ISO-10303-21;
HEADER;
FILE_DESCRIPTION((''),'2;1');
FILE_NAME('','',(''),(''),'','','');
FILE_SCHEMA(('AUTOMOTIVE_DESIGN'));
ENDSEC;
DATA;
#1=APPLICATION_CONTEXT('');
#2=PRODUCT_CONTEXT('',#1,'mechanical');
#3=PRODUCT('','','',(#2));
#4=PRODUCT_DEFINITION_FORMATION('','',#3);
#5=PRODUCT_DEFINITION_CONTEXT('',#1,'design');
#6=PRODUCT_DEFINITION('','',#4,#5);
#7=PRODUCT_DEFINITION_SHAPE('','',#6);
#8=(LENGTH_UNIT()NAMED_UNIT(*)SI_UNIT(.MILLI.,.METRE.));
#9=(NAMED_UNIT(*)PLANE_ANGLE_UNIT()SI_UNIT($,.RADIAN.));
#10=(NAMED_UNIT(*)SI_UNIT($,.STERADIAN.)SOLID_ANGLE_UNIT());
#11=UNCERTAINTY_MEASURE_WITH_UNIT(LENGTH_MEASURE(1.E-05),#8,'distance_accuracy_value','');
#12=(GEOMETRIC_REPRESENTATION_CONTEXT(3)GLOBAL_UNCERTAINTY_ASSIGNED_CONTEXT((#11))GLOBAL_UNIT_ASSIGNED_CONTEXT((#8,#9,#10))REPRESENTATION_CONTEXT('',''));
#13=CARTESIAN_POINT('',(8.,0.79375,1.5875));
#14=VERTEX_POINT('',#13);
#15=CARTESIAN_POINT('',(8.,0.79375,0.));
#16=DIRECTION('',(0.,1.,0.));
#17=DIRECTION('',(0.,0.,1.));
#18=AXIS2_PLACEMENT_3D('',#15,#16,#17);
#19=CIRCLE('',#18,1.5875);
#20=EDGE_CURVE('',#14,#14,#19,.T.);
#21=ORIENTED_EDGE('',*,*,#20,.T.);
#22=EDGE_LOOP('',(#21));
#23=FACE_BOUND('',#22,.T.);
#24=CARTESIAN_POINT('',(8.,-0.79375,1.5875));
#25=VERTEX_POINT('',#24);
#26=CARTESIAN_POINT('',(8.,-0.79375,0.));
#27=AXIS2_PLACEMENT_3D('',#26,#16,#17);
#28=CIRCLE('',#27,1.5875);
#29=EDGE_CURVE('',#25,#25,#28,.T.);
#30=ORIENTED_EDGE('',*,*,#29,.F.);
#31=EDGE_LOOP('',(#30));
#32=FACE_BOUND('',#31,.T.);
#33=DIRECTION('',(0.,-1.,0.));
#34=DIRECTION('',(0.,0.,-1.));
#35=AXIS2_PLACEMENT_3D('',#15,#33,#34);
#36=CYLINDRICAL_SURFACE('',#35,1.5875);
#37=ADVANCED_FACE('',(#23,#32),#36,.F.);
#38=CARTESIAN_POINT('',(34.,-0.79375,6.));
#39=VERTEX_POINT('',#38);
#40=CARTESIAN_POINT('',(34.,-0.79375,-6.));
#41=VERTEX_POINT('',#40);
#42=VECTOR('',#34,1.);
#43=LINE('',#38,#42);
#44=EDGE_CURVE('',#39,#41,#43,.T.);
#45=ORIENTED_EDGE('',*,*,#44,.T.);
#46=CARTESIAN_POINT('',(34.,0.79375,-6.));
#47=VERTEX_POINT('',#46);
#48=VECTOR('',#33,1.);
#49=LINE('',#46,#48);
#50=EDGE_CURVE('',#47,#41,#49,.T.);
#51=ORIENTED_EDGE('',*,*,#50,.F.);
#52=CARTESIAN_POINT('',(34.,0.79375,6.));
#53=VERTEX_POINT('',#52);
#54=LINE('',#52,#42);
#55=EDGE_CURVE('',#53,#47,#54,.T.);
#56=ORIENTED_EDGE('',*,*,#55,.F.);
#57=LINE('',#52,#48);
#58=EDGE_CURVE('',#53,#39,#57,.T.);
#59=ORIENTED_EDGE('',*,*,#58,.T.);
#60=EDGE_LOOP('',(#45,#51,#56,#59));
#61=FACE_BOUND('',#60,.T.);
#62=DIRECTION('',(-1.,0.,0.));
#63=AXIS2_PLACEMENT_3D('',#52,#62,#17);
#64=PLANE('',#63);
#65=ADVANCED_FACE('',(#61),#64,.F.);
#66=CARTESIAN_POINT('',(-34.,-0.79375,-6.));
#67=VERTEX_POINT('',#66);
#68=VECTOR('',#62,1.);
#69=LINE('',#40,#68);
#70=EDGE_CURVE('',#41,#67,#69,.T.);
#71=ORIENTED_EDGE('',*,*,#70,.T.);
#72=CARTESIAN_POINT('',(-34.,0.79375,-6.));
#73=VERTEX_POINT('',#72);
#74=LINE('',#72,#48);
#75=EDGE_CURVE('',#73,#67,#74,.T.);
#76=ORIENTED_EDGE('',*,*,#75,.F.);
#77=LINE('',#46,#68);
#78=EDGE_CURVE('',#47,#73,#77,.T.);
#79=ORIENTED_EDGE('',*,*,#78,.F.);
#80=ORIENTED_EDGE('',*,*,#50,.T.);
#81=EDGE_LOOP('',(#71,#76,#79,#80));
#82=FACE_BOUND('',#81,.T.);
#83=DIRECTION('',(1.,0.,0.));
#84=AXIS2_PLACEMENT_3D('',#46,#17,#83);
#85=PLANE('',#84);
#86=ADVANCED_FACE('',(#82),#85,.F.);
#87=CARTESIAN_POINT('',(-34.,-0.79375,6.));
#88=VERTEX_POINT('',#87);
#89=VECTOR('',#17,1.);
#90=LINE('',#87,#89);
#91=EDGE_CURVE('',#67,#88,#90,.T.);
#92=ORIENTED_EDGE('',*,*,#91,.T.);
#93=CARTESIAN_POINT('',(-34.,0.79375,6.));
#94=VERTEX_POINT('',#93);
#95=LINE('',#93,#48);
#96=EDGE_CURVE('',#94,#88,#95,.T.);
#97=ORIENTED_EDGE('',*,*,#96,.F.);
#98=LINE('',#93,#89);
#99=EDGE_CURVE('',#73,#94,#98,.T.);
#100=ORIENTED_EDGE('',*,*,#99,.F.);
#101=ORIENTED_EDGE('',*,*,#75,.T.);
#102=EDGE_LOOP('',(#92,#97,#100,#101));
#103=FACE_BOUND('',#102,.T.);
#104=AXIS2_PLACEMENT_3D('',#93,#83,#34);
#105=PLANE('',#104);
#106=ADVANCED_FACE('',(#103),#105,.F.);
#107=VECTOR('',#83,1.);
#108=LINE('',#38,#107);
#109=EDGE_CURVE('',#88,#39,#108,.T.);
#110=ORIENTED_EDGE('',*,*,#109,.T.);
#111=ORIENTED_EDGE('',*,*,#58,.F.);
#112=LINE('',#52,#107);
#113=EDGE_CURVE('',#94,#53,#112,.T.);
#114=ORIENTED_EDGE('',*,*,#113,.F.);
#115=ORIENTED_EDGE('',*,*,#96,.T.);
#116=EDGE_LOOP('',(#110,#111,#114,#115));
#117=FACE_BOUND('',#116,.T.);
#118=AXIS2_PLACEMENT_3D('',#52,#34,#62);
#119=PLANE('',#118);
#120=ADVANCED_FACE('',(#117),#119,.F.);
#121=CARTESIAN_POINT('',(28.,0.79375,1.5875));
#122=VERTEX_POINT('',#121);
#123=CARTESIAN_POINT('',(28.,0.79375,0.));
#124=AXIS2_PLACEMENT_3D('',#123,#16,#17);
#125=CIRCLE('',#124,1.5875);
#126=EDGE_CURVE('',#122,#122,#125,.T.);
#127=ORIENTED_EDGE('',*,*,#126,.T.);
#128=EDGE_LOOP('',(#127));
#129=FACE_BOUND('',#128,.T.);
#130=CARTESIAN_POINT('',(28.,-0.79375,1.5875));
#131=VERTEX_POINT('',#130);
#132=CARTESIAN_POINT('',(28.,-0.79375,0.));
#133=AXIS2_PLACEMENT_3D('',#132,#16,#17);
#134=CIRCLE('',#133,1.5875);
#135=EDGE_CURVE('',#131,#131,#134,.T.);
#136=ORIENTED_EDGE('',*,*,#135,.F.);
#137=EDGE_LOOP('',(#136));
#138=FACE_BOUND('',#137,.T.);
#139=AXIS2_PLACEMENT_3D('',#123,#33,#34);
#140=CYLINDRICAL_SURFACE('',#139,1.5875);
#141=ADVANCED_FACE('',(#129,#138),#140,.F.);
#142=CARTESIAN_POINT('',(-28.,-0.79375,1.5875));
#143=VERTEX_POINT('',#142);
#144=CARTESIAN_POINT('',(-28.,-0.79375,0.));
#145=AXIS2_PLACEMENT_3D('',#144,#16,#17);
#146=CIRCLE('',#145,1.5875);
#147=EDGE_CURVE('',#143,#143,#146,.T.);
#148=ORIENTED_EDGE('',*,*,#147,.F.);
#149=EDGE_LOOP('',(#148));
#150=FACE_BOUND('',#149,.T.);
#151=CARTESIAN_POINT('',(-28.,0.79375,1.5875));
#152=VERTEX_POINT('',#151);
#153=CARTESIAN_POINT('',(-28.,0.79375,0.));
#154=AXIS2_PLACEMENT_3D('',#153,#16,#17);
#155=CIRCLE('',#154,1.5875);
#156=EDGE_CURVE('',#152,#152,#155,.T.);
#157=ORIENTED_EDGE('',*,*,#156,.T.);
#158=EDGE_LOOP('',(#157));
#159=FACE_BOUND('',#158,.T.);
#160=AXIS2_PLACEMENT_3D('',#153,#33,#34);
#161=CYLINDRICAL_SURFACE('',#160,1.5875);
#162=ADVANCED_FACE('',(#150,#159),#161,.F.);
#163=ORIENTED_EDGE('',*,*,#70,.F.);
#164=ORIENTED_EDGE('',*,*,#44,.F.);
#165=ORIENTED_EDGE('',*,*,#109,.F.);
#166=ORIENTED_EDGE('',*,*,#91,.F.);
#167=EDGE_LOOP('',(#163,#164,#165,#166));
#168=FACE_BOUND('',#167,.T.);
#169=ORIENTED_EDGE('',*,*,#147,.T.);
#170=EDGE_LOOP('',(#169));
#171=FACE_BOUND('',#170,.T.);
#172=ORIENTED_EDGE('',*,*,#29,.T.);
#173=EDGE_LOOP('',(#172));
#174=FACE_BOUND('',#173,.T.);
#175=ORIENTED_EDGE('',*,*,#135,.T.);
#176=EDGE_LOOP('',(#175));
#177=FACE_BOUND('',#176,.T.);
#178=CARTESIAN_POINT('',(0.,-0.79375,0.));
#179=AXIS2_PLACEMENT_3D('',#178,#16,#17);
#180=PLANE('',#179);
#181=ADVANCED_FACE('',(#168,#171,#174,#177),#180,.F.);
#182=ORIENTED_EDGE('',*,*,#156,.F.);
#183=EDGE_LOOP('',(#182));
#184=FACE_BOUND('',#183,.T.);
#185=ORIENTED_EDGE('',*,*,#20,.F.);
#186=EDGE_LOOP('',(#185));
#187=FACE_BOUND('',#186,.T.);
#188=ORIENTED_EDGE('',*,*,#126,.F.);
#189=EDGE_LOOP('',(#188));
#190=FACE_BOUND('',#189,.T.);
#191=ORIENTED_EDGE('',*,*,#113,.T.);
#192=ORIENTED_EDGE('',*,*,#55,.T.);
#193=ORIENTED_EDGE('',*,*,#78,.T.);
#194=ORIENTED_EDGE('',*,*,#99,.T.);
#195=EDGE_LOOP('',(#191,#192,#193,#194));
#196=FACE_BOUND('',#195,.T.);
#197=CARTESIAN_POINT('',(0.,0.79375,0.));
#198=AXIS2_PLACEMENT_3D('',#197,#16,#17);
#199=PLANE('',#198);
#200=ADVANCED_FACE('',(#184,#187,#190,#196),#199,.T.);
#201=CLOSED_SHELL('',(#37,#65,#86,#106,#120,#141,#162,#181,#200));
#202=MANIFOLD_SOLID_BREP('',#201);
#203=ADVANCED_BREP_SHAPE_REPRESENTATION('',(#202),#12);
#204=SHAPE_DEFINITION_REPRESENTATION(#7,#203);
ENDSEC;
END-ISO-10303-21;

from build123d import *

# Parameters (mm, degrees)
SKETCH1_W           = 68
SKETCH1_H           = 12
SKETCH1_R           = 1.5875
BOSS_EXTRUDE1_DEPTH = 0.79375


with BuildPart() as part:
    # Sketch1 → Boss-Extrude1 (new, symmetric)
    with BuildSketch(Plane(origin=(0, 0, 0), x_dir=(1, 0, 0), z_dir=(0, 1, 0))):
        Rectangle(SKETCH1_W, SKETCH1_H)
        with Locations(Location((-28, 0, 0), (0, 0, 270))):
            Circle(SKETCH1_R, mode=Mode.SUBTRACT)
        with Locations(Location((28, 0, 0), (0, 0, 270))):
            Circle(SKETCH1_R, mode=Mode.SUBTRACT)
        with Locations(Location((8, 0, 0), (0, 0, 270))):
            Circle(SKETCH1_R, mode=Mode.SUBTRACT)
    extrude(amount=BOSS_EXTRUDE1_DEPTH, both=True)


solid = part.part
